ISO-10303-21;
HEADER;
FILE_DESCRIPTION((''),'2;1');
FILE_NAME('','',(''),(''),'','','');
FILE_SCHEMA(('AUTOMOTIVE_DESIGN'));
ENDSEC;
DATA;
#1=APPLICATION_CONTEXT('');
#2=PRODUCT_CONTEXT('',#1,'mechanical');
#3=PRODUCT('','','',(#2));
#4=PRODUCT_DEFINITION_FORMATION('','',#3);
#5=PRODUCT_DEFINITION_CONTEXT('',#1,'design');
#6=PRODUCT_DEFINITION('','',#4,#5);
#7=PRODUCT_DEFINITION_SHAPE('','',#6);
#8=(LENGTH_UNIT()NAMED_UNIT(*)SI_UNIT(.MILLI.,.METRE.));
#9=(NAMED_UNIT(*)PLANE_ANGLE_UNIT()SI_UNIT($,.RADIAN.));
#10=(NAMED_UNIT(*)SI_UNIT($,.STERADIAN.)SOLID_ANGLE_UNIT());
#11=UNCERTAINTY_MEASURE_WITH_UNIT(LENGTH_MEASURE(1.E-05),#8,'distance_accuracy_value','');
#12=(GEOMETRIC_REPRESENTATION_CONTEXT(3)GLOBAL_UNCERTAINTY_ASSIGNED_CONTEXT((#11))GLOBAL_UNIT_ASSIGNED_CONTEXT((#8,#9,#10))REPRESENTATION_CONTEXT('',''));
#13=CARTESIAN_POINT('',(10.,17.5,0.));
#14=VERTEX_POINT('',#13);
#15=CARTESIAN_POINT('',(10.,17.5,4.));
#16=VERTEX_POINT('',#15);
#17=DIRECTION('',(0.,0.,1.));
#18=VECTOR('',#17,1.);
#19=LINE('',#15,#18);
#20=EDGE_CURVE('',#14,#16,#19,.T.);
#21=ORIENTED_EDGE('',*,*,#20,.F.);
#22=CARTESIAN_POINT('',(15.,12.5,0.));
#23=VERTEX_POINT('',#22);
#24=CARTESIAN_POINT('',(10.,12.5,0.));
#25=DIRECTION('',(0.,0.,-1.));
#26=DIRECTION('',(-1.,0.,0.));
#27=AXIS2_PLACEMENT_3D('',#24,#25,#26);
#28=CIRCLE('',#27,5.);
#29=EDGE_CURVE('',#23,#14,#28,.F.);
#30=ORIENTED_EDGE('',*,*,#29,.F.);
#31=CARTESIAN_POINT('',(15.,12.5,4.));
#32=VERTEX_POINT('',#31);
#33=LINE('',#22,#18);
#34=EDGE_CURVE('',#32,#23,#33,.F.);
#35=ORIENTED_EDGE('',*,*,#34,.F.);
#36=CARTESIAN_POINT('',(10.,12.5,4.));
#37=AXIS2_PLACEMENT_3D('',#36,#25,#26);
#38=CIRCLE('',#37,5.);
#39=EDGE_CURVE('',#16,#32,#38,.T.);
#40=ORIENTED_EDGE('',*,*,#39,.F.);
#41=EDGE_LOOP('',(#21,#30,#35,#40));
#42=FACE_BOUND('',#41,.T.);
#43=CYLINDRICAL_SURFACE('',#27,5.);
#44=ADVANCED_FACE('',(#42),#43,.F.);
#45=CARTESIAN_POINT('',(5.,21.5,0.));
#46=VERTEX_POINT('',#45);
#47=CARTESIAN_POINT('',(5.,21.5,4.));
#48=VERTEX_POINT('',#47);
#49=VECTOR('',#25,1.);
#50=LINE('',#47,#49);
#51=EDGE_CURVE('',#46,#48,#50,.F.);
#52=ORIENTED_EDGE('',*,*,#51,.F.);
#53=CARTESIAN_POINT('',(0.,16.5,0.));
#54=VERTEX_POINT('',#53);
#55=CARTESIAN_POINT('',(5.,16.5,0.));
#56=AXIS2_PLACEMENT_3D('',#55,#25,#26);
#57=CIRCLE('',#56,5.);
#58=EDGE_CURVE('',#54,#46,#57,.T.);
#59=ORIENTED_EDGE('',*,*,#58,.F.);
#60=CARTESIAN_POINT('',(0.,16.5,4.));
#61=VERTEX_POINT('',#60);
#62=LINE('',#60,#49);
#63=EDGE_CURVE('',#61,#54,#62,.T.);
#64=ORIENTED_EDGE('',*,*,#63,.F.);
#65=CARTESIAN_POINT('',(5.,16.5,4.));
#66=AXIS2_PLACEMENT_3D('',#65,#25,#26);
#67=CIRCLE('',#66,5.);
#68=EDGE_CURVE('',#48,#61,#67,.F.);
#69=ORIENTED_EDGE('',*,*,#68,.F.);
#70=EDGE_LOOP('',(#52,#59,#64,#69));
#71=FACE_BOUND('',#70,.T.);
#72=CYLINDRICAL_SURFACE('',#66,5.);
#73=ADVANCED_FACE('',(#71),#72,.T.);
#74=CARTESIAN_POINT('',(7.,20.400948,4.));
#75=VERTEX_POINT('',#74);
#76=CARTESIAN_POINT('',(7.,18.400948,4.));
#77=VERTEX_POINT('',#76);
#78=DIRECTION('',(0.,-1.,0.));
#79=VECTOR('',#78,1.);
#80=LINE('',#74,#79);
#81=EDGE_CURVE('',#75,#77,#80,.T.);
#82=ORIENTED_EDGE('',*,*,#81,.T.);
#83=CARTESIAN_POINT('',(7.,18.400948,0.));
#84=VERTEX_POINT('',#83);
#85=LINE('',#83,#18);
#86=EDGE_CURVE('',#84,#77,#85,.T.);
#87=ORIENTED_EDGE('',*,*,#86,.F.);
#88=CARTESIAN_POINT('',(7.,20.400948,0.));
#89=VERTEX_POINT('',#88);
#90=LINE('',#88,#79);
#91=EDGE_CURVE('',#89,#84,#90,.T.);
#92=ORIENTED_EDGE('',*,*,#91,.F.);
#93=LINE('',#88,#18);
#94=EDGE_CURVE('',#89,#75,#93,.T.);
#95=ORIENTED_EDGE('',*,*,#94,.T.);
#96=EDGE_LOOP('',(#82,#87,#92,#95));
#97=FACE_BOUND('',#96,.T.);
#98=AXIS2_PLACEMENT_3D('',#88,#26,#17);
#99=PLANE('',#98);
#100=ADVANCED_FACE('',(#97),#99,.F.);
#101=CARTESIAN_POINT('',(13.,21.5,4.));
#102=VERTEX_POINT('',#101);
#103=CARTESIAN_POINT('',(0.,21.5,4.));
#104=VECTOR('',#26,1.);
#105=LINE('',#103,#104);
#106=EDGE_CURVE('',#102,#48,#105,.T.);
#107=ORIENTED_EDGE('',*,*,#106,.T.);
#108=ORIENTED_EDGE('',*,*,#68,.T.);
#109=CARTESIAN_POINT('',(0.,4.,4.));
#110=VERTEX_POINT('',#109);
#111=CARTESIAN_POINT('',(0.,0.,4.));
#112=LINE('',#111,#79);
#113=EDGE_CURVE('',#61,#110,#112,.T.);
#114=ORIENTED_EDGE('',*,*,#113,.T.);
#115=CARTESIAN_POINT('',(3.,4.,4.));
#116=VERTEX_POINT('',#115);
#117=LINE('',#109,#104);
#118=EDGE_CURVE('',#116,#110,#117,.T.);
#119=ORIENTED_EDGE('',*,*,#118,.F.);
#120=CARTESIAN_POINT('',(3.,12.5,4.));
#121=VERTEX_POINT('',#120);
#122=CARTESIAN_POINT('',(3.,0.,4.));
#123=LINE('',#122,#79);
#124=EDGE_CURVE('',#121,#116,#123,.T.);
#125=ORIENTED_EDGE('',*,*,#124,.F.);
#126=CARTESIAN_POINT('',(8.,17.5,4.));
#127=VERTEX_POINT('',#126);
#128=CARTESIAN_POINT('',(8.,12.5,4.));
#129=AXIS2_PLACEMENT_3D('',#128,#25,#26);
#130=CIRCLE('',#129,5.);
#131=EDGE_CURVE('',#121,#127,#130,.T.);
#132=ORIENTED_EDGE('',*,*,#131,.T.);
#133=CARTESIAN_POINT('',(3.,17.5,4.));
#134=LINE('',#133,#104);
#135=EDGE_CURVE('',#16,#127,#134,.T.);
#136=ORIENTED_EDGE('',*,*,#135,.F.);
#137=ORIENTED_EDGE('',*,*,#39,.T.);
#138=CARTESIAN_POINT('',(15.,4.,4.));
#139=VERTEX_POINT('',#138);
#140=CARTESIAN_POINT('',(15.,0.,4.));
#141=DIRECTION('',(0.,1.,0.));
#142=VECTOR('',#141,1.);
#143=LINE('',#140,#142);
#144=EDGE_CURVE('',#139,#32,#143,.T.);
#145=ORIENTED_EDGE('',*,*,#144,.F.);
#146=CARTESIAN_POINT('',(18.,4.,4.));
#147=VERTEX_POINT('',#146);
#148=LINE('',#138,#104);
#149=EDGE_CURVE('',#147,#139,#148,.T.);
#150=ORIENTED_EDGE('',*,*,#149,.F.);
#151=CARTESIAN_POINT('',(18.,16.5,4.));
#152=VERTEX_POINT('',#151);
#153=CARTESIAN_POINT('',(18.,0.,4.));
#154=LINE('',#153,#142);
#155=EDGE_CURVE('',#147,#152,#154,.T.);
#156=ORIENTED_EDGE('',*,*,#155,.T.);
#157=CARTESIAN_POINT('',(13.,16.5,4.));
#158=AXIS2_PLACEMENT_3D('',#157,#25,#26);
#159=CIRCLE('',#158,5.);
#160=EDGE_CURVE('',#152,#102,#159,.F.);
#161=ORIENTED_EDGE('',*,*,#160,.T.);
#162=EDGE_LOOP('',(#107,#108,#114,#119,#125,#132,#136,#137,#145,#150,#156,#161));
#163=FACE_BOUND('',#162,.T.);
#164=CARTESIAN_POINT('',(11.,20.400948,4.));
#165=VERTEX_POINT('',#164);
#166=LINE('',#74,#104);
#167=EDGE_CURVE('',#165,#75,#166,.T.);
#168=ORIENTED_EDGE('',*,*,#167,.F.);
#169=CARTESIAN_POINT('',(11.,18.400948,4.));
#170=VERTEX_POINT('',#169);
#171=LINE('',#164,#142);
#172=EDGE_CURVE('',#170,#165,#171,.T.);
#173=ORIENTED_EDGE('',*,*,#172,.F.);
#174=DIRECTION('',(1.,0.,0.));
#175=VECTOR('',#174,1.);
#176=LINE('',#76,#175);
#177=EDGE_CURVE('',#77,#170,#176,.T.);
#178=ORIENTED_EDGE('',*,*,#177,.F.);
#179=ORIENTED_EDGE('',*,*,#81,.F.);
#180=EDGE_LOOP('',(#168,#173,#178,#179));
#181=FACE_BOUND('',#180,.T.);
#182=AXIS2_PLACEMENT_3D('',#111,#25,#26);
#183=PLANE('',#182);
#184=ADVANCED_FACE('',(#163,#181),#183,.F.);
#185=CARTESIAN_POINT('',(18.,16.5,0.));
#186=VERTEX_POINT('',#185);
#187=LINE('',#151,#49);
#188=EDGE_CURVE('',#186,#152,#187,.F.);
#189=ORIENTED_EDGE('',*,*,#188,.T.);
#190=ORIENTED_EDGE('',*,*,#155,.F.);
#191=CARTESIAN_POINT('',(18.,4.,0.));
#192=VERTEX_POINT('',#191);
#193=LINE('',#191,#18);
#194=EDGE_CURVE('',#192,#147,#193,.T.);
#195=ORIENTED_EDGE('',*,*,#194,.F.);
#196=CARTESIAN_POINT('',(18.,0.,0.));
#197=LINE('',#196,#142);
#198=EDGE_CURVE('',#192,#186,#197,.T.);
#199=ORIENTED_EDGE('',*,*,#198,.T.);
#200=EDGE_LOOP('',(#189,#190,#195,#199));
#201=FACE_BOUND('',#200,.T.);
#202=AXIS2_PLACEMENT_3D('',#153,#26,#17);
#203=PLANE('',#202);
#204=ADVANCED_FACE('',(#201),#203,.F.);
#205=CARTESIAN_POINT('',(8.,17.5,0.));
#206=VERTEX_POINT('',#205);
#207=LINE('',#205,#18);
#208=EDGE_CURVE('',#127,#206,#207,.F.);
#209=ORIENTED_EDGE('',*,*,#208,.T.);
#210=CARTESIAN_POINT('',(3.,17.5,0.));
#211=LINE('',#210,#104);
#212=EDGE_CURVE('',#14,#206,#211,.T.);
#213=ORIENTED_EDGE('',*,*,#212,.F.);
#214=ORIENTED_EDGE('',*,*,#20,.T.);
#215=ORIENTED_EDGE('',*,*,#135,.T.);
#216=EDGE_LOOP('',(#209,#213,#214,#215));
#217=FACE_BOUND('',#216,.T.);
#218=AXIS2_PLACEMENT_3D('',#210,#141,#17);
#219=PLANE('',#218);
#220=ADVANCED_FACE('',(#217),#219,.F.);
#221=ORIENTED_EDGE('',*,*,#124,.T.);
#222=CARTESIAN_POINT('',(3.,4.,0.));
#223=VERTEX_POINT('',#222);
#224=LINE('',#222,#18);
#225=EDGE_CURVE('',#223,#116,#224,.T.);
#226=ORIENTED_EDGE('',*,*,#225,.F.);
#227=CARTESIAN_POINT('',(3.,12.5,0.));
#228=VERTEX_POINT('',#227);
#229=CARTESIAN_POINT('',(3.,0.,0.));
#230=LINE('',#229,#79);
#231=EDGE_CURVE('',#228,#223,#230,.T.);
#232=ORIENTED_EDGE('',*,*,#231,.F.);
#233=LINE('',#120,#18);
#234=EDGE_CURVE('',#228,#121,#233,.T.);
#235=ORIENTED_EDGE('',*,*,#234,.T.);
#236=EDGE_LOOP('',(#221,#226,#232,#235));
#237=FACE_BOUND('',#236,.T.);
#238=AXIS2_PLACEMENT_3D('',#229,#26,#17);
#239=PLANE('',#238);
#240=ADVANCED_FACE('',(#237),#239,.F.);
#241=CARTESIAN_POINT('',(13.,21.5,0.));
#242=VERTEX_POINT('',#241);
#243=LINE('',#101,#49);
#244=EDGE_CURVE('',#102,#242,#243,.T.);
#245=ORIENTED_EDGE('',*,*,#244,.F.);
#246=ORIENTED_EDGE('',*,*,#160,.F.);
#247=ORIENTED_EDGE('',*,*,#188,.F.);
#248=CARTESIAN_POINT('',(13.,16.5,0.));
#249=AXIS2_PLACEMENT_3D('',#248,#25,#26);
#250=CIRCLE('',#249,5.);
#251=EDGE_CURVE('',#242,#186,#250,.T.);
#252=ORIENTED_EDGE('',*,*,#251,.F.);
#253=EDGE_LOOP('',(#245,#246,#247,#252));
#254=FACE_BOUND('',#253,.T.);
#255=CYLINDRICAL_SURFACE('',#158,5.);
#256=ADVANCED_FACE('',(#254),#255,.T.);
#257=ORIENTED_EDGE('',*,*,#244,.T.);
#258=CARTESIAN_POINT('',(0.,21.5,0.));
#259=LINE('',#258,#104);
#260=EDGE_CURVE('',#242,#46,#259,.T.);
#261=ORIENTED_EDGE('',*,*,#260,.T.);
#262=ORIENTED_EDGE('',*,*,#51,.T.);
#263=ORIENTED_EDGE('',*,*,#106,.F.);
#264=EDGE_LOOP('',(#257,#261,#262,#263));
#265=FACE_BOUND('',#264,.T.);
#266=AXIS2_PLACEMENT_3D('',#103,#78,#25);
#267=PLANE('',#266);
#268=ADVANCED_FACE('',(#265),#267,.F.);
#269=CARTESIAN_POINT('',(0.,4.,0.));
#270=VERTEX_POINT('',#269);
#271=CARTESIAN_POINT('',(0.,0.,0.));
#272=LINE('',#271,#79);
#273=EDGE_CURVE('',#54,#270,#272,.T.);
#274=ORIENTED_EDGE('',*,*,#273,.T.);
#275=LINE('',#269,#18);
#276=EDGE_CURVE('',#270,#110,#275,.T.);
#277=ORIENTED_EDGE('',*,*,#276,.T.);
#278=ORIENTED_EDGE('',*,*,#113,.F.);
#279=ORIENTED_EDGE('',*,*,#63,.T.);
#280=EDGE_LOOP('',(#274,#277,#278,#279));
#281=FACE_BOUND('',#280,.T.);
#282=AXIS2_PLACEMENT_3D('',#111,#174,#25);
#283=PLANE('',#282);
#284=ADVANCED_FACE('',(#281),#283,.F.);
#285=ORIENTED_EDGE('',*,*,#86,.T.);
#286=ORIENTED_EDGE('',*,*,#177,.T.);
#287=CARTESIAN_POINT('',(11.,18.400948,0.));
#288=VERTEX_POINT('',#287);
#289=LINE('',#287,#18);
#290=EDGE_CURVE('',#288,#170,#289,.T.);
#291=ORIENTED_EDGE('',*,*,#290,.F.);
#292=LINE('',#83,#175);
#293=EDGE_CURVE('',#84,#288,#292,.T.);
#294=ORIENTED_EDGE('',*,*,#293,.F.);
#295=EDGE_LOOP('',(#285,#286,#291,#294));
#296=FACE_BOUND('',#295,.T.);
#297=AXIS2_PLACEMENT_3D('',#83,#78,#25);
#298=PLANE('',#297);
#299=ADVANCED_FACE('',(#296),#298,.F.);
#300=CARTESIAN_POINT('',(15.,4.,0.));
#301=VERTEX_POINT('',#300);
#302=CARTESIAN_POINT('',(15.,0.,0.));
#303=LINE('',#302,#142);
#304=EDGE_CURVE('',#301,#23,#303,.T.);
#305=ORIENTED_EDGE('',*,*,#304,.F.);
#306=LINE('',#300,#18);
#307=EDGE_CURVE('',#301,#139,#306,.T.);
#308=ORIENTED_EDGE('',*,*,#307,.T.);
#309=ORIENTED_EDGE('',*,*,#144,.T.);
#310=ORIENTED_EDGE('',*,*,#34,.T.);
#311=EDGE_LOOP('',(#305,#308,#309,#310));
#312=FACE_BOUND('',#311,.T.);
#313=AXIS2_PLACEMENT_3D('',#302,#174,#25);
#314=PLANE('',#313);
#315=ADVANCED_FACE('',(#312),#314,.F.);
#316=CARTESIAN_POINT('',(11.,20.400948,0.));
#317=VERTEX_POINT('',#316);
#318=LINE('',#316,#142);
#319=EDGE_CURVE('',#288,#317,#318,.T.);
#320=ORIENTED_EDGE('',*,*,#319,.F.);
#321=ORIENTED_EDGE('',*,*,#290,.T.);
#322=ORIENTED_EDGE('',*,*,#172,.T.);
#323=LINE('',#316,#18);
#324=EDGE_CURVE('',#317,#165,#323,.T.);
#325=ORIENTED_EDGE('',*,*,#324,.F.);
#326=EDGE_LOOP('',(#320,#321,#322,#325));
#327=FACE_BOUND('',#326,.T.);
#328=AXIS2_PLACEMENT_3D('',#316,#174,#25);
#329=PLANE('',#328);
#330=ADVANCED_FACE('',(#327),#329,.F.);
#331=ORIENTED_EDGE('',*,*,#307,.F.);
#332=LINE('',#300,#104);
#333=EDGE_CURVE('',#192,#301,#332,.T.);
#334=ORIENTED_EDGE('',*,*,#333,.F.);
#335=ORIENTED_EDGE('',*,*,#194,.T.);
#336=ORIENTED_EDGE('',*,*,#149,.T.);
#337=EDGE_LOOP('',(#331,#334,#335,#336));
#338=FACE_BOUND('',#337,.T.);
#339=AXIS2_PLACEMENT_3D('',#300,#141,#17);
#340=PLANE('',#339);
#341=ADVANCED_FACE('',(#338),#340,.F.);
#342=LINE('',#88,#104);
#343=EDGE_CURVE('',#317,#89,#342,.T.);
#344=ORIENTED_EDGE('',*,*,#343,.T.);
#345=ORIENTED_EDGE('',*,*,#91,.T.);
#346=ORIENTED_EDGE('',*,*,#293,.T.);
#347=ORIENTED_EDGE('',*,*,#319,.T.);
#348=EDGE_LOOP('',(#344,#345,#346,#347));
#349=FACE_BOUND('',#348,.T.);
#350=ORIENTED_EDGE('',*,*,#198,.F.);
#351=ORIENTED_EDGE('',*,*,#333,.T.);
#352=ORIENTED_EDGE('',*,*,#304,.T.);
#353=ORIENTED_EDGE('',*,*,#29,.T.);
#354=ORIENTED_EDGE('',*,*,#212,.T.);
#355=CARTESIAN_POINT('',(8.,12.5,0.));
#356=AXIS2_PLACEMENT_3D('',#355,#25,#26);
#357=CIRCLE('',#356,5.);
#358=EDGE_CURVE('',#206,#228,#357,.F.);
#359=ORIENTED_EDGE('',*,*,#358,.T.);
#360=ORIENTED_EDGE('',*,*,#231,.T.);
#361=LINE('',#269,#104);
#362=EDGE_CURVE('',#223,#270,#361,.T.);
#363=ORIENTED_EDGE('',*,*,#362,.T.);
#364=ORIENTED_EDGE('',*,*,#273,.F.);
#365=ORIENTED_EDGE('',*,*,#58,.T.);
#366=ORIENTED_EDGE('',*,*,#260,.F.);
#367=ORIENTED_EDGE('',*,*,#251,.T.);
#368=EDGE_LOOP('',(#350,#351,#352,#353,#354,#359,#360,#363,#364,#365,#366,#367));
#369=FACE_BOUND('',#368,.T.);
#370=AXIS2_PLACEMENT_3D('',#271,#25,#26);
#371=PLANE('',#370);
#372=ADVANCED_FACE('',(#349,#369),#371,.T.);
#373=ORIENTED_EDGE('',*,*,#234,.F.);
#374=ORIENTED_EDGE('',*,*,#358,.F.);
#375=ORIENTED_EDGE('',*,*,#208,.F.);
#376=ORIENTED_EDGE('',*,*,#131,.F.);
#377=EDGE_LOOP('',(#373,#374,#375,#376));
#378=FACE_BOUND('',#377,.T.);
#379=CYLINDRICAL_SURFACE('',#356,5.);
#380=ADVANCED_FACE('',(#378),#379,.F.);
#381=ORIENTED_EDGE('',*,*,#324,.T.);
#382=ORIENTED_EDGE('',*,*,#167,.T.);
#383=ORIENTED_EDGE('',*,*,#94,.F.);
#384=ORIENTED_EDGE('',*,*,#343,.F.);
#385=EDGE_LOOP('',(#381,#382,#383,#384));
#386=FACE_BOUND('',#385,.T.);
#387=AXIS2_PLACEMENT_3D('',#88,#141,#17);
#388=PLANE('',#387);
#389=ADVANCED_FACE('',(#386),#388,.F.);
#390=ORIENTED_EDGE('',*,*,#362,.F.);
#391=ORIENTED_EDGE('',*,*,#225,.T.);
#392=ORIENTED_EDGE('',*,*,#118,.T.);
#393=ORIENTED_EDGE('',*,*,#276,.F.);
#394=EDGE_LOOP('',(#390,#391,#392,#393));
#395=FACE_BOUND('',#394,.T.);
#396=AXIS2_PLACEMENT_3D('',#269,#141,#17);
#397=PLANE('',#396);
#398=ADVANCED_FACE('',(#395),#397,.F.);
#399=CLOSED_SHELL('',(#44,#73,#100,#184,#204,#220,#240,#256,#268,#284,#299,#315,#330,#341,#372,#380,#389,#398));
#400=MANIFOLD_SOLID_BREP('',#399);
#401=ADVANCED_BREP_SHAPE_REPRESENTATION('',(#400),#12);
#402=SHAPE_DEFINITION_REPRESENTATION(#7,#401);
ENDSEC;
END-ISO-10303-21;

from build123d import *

# Parameters (mm, degrees)
SKETCH_2_W          = 18
SKETCH_2_H          = 21.5
EXTRUDE_1_DEPTH     = 4
SKETCH_3_W          = 12
SKETCH_3_H          = 17.5
CUT_EXTRUDE_1_DEPTH = 29.324018077
FILLET_1_R          = 5
FILLET_2_R          = 5
SKETCH_4_W          = 4
SKETCH_4_H          = 2
CUT_EXTRUDE_2_DEPTH = 29.324018077
SKETCH_8_W          = 3
SKETCH_8_H          = 4
CUT_EXTRUDE_5_DEPTH = 29.324018077


with BuildPart() as part:
    # ｽｹｯﾁ2 → ﾎﾞｽ - 押し出し1 (new body)
    with BuildSketch(Plane.XY):
        with Locations((9, 10.75)):
            Rectangle(SKETCH_2_W, SKETCH_2_H)
    extrude(amount=EXTRUDE_1_DEPTH)

    # ｽｹｯﾁ3 → ｶｯﾄ - 押し出し1 (cut, through all)
    with BuildSketch(Plane.XY.offset(4)):
        with Locations((9, 8.75)):
            Rectangle(SKETCH_3_W, SKETCH_3_H)
    extrude(amount=-CUT_EXTRUDE_1_DEPTH, mode=Mode.SUBTRACT)

    # ﾌｨﾚｯﾄ1
    fillet_1_edges = [part.edges().sort_by_distance(p)[0] for p in [
        (3, 17.5, 2),
        (15, 17.5, 2),
    ]]
    fillet(fillet_1_edges, radius=FILLET_1_R)

    # ﾌｨﾚｯﾄ2
    fillet_2_edges = [part.edges().sort_by_distance(p)[0] for p in [
        (0, 21.5, 2),
        (18, 21.5, 2),
    ]]
    fillet(fillet_2_edges, radius=FILLET_2_R)

    # ｽｹｯﾁ4 → ｶｯﾄ - 押し出し2 (cut, through all)
    with BuildSketch(Plane.XY.offset(4)):
        with Locations((9, 19.400947982)):
            Rectangle(SKETCH_4_W, SKETCH_4_H)
    extrude(amount=-CUT_EXTRUDE_2_DEPTH, mode=Mode.SUBTRACT)

    # ｽｹｯﾁ8 → ｶｯﾄ - 押し出し5 (cut, through all)
    with BuildSketch(Plane.XY.offset(4)):
        with Locations((1.5, 2)):
            Rectangle(SKETCH_8_W, SKETCH_8_H)
        with Locations((16.5, 2)):
            Rectangle(SKETCH_8_W, SKETCH_8_H)
    extrude(amount=-CUT_EXTRUDE_5_DEPTH, mode=Mode.SUBTRACT)


solid = part.part
